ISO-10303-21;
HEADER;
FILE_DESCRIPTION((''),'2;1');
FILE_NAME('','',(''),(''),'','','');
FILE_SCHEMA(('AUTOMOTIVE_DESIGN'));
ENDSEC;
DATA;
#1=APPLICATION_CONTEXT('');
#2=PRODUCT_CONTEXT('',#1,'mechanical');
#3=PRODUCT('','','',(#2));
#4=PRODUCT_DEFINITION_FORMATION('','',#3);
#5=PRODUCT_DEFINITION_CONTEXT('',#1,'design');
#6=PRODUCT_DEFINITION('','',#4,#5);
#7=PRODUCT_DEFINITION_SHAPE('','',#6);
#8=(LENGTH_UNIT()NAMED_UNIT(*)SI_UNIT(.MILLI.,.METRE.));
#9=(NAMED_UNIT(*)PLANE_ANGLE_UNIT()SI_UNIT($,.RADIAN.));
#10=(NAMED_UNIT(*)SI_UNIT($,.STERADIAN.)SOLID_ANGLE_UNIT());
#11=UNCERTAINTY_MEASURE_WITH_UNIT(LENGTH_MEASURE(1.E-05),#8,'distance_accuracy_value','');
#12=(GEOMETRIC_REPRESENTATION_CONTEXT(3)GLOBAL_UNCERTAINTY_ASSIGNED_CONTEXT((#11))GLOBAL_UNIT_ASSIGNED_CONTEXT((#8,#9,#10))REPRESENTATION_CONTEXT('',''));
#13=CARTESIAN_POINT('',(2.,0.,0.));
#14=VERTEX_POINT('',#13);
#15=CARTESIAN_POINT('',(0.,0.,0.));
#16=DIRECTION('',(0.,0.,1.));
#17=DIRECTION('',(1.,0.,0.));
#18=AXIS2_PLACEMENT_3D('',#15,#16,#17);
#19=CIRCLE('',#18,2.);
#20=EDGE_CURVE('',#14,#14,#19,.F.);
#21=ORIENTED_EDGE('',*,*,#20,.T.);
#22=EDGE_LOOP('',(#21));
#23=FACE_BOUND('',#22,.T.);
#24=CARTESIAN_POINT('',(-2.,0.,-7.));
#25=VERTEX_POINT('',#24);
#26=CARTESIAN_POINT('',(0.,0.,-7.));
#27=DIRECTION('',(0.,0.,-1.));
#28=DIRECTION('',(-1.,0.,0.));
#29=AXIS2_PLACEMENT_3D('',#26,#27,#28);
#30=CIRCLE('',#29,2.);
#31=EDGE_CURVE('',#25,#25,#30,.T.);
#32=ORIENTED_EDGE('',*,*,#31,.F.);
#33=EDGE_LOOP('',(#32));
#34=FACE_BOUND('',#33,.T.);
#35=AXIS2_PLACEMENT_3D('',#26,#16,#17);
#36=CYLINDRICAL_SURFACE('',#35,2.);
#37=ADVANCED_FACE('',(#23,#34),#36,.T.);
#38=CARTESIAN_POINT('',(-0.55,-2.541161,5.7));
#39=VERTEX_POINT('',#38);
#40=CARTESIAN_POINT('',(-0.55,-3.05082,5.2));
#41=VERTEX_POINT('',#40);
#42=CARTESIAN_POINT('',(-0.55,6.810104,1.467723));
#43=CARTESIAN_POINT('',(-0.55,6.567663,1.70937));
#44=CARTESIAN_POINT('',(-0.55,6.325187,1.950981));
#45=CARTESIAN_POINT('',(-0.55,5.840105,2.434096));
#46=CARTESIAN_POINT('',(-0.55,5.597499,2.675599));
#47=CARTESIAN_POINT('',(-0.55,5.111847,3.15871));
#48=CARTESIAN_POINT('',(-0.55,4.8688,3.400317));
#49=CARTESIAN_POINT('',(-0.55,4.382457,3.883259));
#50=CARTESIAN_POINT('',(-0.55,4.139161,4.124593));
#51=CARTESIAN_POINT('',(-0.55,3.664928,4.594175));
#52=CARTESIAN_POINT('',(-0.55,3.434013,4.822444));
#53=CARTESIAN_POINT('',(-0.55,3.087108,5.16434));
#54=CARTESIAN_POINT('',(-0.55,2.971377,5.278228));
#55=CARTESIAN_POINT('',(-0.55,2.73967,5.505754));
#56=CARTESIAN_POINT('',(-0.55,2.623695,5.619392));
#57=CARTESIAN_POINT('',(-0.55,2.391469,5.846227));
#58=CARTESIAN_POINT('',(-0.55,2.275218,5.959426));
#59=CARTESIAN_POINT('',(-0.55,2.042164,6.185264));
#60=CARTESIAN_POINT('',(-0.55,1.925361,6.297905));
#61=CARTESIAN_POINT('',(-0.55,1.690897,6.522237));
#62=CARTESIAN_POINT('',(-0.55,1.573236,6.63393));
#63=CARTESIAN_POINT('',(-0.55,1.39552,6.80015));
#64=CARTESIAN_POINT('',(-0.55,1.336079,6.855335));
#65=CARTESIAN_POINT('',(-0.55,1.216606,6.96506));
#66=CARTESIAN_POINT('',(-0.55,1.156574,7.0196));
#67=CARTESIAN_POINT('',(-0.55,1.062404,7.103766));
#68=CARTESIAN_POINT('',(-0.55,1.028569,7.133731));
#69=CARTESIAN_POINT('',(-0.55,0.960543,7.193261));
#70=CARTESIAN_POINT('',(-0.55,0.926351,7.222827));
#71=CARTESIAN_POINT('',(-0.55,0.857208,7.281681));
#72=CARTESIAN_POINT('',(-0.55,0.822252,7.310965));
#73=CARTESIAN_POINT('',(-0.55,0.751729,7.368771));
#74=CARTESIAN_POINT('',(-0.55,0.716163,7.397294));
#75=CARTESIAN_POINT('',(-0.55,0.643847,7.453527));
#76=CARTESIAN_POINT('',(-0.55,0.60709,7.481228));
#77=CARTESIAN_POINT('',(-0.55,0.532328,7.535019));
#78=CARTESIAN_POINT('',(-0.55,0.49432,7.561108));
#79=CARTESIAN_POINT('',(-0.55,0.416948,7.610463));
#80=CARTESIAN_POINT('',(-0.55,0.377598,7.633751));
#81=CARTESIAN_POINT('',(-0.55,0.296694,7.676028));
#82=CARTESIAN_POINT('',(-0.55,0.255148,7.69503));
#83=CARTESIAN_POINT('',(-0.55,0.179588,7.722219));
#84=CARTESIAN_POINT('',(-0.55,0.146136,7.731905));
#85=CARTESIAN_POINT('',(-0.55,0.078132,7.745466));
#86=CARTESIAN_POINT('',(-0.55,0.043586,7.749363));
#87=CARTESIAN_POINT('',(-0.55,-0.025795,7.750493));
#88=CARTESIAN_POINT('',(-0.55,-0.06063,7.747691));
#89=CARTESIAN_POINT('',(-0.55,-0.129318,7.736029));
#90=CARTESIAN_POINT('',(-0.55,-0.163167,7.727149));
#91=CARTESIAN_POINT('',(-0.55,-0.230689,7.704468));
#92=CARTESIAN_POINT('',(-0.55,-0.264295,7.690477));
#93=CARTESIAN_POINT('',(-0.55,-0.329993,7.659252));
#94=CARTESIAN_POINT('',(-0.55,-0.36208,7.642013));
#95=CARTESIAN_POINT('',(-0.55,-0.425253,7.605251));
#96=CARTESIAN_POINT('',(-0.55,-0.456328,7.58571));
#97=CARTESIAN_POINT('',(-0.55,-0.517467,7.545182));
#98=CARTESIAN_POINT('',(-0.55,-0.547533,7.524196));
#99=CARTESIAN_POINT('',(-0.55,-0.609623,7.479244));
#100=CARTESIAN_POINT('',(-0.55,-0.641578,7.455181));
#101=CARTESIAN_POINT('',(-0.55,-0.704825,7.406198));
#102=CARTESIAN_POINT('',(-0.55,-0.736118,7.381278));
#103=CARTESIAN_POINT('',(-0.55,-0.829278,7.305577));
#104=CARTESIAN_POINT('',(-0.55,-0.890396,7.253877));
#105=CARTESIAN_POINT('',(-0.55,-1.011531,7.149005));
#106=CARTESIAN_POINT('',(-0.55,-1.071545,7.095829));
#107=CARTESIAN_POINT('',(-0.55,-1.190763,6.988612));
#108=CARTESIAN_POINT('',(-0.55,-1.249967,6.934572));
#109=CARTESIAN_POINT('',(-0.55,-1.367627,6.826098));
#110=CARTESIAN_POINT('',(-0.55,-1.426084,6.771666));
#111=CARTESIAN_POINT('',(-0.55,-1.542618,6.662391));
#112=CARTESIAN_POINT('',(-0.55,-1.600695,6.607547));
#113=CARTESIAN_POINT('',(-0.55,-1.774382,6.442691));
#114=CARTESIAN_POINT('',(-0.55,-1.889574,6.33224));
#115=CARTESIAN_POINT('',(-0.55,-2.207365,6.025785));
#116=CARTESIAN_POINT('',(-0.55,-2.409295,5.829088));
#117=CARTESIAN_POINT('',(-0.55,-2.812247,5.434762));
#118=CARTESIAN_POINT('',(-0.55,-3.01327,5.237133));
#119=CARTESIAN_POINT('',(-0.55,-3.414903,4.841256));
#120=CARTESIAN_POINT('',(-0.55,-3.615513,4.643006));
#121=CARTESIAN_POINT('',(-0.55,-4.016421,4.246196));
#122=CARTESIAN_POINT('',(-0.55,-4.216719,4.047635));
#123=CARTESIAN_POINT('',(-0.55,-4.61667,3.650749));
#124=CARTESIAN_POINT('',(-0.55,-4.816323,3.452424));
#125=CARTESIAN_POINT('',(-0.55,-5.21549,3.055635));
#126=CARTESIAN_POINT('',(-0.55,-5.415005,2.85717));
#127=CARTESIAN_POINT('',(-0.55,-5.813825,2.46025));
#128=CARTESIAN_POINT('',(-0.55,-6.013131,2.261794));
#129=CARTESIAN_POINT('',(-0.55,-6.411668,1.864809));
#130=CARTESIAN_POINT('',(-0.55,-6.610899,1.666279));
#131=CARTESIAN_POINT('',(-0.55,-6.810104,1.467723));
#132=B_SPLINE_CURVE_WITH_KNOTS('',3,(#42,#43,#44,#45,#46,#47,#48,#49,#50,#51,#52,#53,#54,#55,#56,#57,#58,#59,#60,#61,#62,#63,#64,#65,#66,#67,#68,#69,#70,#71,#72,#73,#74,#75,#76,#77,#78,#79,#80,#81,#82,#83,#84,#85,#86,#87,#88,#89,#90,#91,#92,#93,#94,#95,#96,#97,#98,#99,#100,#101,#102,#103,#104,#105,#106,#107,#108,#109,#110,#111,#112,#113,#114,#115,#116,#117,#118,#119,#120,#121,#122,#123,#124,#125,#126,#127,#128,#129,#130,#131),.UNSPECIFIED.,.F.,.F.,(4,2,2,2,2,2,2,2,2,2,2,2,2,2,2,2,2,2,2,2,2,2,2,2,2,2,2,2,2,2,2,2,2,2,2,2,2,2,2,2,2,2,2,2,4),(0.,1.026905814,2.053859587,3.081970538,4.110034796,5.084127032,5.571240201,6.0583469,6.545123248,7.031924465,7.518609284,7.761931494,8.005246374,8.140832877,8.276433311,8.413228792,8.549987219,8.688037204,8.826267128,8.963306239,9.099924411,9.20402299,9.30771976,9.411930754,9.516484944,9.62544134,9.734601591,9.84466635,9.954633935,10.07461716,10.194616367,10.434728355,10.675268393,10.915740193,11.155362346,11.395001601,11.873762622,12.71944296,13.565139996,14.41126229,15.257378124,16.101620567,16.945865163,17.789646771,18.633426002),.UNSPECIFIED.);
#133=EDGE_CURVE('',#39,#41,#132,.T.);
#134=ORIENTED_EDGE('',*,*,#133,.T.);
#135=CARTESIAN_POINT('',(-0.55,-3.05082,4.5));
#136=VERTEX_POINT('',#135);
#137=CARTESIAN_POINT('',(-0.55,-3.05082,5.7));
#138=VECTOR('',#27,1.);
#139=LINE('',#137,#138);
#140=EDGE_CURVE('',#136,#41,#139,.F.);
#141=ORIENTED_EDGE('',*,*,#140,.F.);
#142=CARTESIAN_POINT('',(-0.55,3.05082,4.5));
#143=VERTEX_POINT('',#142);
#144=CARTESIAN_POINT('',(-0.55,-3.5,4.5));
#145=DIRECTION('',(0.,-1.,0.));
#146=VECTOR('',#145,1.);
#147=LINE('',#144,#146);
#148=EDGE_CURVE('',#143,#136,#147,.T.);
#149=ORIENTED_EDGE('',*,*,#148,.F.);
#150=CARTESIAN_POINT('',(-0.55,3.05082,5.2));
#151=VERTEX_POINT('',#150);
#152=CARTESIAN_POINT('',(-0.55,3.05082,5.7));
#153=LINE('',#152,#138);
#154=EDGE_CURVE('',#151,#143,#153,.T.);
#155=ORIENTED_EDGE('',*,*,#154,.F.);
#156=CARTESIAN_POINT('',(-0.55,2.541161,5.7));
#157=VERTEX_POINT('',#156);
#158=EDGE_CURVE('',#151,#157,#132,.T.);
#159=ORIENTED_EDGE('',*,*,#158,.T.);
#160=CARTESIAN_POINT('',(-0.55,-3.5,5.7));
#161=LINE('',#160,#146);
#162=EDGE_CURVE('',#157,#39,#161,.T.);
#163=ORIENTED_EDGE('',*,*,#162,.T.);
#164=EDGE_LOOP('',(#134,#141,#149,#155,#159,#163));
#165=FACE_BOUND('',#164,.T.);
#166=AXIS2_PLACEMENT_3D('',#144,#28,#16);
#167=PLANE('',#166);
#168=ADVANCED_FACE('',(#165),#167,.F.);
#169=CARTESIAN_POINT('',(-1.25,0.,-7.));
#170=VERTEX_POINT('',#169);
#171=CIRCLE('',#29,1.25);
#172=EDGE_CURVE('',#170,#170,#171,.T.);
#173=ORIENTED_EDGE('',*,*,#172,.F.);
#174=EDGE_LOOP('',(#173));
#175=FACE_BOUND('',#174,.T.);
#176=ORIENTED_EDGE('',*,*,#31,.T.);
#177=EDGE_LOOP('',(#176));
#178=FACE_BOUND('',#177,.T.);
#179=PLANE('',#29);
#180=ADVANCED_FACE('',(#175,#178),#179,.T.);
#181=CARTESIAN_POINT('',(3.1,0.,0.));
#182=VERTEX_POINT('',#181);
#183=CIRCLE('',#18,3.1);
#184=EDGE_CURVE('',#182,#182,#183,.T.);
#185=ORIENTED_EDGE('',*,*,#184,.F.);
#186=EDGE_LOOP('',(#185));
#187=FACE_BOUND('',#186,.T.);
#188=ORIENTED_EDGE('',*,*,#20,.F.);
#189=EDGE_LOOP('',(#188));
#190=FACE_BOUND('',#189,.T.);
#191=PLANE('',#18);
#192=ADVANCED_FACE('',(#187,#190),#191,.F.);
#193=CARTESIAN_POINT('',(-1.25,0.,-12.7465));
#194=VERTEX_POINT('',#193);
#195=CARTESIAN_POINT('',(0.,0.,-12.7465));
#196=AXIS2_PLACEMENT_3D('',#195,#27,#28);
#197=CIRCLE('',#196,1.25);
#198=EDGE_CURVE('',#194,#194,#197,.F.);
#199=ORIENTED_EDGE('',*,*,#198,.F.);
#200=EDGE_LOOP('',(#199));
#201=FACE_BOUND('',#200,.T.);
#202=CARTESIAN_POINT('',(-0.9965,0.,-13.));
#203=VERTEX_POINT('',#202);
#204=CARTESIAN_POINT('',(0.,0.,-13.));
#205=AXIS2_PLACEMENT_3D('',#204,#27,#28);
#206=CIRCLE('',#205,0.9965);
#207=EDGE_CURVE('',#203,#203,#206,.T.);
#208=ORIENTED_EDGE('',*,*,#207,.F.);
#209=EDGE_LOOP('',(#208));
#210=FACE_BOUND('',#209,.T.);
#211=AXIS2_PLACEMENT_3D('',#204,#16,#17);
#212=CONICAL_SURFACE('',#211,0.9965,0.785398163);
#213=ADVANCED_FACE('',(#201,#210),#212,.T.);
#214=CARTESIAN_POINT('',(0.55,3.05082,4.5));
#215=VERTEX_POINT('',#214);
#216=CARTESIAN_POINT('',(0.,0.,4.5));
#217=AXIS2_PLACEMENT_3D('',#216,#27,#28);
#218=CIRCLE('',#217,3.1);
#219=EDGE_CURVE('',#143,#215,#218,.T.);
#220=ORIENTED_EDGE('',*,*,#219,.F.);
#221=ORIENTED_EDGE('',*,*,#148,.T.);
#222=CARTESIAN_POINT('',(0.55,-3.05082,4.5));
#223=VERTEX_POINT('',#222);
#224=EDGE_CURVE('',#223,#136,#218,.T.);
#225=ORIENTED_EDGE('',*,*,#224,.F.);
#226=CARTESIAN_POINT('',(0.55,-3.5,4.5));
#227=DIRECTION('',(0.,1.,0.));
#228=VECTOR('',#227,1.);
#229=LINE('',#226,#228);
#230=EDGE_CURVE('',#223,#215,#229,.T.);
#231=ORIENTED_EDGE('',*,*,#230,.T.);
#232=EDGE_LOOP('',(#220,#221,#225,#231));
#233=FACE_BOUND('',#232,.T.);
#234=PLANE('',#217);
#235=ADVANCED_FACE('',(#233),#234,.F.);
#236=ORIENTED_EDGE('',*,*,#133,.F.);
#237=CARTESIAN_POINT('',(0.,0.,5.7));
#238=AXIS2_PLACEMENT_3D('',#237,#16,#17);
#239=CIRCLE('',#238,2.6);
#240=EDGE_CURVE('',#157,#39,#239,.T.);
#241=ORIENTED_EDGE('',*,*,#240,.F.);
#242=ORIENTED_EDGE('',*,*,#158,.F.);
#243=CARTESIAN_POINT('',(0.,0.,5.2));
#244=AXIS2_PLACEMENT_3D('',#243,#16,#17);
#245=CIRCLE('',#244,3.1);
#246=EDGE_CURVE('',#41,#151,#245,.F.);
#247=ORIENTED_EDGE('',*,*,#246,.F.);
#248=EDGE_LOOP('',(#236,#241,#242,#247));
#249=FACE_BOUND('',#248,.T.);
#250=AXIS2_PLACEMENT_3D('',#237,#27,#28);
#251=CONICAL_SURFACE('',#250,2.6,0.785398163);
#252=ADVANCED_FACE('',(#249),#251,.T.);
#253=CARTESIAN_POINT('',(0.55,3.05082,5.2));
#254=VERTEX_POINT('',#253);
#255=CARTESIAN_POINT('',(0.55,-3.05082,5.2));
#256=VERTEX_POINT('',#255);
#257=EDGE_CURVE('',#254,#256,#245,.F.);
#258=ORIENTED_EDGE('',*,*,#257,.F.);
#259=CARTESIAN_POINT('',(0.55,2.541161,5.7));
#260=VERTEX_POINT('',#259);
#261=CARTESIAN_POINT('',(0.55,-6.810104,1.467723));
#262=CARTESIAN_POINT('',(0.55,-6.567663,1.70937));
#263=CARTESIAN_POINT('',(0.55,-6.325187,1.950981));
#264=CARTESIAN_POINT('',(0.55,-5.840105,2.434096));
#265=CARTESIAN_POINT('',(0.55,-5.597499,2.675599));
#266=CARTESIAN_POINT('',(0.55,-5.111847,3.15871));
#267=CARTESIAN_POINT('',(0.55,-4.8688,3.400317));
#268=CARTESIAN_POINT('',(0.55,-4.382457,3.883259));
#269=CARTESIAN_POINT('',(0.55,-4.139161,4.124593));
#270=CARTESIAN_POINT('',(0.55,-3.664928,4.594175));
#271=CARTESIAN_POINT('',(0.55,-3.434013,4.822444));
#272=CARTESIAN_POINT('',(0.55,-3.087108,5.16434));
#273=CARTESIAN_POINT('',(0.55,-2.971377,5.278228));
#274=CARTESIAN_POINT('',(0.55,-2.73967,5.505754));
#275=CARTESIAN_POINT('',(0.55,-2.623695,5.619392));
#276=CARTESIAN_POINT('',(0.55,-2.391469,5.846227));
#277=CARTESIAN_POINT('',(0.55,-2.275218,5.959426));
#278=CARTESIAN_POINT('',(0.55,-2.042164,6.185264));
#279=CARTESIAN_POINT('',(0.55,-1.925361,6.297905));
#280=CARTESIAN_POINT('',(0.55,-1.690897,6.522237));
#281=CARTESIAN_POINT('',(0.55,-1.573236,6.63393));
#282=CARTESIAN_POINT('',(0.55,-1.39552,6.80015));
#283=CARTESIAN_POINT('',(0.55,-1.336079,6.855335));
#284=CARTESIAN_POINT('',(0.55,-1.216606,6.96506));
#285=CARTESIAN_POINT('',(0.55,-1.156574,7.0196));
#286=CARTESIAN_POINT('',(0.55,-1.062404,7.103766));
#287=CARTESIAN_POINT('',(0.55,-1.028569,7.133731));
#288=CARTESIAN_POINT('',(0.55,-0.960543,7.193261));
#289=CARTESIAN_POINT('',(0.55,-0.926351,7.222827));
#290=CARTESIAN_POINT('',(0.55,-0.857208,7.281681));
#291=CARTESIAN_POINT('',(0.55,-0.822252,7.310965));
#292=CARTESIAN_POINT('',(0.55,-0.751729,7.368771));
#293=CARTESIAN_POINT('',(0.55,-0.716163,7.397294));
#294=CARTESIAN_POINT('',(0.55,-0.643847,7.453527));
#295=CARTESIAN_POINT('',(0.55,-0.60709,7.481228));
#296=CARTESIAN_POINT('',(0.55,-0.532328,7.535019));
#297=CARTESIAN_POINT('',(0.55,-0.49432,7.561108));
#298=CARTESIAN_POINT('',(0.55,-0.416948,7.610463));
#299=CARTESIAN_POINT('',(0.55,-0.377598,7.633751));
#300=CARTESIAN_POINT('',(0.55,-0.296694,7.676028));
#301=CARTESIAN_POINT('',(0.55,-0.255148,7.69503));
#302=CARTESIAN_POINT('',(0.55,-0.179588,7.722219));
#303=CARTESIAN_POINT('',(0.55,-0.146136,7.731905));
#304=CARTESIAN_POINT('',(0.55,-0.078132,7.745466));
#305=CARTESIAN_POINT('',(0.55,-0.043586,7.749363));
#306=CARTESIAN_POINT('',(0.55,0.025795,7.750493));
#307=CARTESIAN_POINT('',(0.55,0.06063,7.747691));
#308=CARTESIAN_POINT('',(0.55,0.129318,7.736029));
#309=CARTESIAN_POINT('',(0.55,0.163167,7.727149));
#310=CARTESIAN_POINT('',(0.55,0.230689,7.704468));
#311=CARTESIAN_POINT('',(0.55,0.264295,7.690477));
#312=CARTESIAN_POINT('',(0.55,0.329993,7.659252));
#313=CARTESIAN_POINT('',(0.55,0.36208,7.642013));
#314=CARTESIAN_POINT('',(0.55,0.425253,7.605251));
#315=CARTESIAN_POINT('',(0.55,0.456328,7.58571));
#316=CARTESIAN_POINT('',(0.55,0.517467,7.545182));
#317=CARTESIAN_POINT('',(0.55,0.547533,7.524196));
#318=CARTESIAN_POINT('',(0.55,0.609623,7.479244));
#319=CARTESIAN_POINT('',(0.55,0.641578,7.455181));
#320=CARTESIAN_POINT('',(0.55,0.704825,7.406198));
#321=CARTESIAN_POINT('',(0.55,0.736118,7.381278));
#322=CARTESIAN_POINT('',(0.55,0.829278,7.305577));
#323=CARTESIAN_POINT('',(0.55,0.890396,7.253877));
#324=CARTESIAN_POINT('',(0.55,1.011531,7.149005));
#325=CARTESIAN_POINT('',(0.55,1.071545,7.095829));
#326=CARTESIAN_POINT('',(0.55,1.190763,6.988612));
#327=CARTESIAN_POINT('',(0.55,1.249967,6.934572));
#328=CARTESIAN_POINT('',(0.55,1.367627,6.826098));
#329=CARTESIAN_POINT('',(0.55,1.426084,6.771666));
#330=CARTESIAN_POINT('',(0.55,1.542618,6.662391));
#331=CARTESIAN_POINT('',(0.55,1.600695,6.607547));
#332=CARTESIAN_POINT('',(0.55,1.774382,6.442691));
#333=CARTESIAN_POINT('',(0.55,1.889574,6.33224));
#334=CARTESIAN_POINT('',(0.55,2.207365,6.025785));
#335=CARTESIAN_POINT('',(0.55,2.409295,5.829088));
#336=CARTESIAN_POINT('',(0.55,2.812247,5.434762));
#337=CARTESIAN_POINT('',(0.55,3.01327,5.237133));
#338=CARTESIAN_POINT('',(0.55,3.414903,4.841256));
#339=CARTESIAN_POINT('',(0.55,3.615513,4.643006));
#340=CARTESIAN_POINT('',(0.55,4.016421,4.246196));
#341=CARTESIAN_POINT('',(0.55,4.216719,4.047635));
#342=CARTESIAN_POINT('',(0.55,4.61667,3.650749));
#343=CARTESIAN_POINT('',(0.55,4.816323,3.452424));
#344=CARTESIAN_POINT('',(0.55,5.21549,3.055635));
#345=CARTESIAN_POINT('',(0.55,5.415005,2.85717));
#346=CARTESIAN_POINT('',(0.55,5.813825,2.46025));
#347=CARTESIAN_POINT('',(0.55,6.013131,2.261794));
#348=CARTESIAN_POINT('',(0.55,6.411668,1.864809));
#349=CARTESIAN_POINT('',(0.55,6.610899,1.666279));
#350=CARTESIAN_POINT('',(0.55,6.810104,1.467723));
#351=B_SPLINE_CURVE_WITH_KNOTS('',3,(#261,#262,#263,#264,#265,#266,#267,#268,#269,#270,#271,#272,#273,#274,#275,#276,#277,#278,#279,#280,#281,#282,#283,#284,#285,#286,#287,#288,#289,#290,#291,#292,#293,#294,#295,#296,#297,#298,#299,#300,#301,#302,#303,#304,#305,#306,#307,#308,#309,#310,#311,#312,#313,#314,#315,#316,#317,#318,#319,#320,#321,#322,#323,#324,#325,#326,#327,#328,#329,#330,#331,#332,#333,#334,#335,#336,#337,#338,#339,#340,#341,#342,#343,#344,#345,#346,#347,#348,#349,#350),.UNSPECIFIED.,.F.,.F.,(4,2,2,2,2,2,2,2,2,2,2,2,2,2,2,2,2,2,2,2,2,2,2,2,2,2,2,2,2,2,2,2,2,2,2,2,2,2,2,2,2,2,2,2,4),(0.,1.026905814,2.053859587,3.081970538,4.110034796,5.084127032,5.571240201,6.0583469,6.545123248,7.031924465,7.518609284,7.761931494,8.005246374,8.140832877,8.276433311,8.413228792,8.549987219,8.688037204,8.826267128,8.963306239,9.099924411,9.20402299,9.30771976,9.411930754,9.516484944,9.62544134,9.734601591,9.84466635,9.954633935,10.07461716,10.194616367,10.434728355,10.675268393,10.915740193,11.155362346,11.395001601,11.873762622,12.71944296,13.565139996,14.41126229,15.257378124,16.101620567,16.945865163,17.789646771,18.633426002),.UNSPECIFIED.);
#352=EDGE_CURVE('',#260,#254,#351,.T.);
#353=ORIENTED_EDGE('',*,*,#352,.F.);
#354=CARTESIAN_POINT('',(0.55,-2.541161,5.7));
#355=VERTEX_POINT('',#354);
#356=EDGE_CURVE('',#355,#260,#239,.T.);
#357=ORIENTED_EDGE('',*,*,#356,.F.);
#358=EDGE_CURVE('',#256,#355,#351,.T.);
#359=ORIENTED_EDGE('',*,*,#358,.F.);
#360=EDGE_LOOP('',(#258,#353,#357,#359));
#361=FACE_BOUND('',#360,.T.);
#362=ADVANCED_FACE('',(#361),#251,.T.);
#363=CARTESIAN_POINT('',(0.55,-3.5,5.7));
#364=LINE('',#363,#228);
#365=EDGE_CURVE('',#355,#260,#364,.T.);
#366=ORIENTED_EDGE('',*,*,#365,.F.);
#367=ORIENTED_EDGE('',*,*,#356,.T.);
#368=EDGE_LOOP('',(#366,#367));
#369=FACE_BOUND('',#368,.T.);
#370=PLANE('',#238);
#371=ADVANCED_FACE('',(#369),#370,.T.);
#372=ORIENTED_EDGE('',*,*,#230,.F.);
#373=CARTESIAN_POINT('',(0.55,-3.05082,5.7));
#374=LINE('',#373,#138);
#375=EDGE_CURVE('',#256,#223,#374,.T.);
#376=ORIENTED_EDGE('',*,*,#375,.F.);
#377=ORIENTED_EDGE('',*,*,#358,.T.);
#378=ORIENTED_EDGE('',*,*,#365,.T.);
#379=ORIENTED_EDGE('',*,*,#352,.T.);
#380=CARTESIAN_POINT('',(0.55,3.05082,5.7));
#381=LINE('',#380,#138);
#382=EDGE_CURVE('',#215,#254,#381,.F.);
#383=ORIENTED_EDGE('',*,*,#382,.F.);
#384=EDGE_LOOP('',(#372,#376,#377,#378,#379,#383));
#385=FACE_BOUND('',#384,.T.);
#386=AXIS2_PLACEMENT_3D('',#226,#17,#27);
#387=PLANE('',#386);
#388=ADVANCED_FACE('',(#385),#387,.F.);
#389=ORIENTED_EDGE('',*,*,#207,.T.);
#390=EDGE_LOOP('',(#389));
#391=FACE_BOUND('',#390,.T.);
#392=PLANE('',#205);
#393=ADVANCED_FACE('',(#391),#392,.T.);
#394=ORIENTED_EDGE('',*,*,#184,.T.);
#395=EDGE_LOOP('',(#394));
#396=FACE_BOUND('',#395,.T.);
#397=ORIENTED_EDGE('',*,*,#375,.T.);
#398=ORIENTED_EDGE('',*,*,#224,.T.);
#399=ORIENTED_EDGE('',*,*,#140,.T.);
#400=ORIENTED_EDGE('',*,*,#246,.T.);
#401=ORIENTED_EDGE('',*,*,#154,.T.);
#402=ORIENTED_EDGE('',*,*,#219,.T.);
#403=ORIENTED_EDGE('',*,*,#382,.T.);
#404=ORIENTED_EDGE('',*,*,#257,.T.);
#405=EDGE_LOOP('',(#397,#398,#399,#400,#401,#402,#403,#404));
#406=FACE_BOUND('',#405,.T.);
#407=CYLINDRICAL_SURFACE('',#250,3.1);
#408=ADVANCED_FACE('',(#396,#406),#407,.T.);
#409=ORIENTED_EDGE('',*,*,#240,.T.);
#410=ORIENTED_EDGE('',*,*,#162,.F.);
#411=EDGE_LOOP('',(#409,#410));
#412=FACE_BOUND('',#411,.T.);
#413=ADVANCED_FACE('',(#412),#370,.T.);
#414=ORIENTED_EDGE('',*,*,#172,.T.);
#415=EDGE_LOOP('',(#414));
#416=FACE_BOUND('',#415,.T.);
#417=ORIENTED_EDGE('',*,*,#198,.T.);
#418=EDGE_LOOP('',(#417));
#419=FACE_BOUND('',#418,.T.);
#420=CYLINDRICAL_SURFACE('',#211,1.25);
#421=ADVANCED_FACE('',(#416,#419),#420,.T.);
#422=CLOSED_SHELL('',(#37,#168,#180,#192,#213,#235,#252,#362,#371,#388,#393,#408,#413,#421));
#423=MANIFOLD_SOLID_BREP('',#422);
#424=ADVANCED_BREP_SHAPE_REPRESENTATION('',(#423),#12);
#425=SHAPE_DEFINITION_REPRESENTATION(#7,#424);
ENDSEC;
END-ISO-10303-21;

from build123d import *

# Parameters (mm, degrees)
SKETCH_1_R          = 3.1
EXTRUDE_1_DEPTH     = 5.7
SKETCH_2_R          = 2
EXTRUDE_2_DEPTH     = 7
SKETCH_3_R          = 1.25
EXTRUDE_3_DEPTH     = 6
CHAMFER_1_SIZE      = 0.2535
CHAMFER_2_SIZE      = 0.5
SKETCH_5_W          = 1.1
SKETCH_5_H          = 7
CUT_EXTRUDE_1_DEPTH = 1.2


with BuildPart() as part:
    # Эскиз1 → Бобышка-Вытянуть1 (new body)
    with BuildSketch(Plane.XY):
        Circle(SKETCH_1_R)
    extrude(amount=EXTRUDE_1_DEPTH)

    # Эскиз2 → Бобышка-Вытянуть2 (add)
    with BuildSketch(Plane(origin=(0, 0, 0), x_dir=(-1, 0, 0), z_dir=(0, 0, -1))):
        Circle(SKETCH_2_R)
    extrude(amount=EXTRUDE_2_DEPTH)

    # Эскиз3 → Бобышка-Вытянуть3 (add)
    with BuildSketch(Plane(origin=(0, 0, -7), x_dir=(-1, 0, 0), z_dir=(0, 0, -1))):
        Circle(SKETCH_3_R)
    extrude(amount=EXTRUDE_3_DEPTH)

    # Фаска1
    chamfer_1_edges = [part.edges().sort_by_distance(p)[0] for p in [
        (1.25, 0, -13),
    ]]
    chamfer(chamfer_1_edges, length=CHAMFER_1_SIZE)

    # Фаска2
    chamfer_2_edges = [part.edges().sort_by_distance(p)[0] for p in [
        (-3.1, 0, 5.7),
    ]]
    chamfer(chamfer_2_edges, length=CHAMFER_2_SIZE)

    # Эскиз5 → Вырез-Вытянуть1 (cut)
    with BuildSketch(Plane.XY.offset(5.7)):
        Rectangle(SKETCH_5_W, SKETCH_5_H)
    extrude(amount=-CUT_EXTRUDE_1_DEPTH, mode=Mode.SUBTRACT)


solid = part.part
